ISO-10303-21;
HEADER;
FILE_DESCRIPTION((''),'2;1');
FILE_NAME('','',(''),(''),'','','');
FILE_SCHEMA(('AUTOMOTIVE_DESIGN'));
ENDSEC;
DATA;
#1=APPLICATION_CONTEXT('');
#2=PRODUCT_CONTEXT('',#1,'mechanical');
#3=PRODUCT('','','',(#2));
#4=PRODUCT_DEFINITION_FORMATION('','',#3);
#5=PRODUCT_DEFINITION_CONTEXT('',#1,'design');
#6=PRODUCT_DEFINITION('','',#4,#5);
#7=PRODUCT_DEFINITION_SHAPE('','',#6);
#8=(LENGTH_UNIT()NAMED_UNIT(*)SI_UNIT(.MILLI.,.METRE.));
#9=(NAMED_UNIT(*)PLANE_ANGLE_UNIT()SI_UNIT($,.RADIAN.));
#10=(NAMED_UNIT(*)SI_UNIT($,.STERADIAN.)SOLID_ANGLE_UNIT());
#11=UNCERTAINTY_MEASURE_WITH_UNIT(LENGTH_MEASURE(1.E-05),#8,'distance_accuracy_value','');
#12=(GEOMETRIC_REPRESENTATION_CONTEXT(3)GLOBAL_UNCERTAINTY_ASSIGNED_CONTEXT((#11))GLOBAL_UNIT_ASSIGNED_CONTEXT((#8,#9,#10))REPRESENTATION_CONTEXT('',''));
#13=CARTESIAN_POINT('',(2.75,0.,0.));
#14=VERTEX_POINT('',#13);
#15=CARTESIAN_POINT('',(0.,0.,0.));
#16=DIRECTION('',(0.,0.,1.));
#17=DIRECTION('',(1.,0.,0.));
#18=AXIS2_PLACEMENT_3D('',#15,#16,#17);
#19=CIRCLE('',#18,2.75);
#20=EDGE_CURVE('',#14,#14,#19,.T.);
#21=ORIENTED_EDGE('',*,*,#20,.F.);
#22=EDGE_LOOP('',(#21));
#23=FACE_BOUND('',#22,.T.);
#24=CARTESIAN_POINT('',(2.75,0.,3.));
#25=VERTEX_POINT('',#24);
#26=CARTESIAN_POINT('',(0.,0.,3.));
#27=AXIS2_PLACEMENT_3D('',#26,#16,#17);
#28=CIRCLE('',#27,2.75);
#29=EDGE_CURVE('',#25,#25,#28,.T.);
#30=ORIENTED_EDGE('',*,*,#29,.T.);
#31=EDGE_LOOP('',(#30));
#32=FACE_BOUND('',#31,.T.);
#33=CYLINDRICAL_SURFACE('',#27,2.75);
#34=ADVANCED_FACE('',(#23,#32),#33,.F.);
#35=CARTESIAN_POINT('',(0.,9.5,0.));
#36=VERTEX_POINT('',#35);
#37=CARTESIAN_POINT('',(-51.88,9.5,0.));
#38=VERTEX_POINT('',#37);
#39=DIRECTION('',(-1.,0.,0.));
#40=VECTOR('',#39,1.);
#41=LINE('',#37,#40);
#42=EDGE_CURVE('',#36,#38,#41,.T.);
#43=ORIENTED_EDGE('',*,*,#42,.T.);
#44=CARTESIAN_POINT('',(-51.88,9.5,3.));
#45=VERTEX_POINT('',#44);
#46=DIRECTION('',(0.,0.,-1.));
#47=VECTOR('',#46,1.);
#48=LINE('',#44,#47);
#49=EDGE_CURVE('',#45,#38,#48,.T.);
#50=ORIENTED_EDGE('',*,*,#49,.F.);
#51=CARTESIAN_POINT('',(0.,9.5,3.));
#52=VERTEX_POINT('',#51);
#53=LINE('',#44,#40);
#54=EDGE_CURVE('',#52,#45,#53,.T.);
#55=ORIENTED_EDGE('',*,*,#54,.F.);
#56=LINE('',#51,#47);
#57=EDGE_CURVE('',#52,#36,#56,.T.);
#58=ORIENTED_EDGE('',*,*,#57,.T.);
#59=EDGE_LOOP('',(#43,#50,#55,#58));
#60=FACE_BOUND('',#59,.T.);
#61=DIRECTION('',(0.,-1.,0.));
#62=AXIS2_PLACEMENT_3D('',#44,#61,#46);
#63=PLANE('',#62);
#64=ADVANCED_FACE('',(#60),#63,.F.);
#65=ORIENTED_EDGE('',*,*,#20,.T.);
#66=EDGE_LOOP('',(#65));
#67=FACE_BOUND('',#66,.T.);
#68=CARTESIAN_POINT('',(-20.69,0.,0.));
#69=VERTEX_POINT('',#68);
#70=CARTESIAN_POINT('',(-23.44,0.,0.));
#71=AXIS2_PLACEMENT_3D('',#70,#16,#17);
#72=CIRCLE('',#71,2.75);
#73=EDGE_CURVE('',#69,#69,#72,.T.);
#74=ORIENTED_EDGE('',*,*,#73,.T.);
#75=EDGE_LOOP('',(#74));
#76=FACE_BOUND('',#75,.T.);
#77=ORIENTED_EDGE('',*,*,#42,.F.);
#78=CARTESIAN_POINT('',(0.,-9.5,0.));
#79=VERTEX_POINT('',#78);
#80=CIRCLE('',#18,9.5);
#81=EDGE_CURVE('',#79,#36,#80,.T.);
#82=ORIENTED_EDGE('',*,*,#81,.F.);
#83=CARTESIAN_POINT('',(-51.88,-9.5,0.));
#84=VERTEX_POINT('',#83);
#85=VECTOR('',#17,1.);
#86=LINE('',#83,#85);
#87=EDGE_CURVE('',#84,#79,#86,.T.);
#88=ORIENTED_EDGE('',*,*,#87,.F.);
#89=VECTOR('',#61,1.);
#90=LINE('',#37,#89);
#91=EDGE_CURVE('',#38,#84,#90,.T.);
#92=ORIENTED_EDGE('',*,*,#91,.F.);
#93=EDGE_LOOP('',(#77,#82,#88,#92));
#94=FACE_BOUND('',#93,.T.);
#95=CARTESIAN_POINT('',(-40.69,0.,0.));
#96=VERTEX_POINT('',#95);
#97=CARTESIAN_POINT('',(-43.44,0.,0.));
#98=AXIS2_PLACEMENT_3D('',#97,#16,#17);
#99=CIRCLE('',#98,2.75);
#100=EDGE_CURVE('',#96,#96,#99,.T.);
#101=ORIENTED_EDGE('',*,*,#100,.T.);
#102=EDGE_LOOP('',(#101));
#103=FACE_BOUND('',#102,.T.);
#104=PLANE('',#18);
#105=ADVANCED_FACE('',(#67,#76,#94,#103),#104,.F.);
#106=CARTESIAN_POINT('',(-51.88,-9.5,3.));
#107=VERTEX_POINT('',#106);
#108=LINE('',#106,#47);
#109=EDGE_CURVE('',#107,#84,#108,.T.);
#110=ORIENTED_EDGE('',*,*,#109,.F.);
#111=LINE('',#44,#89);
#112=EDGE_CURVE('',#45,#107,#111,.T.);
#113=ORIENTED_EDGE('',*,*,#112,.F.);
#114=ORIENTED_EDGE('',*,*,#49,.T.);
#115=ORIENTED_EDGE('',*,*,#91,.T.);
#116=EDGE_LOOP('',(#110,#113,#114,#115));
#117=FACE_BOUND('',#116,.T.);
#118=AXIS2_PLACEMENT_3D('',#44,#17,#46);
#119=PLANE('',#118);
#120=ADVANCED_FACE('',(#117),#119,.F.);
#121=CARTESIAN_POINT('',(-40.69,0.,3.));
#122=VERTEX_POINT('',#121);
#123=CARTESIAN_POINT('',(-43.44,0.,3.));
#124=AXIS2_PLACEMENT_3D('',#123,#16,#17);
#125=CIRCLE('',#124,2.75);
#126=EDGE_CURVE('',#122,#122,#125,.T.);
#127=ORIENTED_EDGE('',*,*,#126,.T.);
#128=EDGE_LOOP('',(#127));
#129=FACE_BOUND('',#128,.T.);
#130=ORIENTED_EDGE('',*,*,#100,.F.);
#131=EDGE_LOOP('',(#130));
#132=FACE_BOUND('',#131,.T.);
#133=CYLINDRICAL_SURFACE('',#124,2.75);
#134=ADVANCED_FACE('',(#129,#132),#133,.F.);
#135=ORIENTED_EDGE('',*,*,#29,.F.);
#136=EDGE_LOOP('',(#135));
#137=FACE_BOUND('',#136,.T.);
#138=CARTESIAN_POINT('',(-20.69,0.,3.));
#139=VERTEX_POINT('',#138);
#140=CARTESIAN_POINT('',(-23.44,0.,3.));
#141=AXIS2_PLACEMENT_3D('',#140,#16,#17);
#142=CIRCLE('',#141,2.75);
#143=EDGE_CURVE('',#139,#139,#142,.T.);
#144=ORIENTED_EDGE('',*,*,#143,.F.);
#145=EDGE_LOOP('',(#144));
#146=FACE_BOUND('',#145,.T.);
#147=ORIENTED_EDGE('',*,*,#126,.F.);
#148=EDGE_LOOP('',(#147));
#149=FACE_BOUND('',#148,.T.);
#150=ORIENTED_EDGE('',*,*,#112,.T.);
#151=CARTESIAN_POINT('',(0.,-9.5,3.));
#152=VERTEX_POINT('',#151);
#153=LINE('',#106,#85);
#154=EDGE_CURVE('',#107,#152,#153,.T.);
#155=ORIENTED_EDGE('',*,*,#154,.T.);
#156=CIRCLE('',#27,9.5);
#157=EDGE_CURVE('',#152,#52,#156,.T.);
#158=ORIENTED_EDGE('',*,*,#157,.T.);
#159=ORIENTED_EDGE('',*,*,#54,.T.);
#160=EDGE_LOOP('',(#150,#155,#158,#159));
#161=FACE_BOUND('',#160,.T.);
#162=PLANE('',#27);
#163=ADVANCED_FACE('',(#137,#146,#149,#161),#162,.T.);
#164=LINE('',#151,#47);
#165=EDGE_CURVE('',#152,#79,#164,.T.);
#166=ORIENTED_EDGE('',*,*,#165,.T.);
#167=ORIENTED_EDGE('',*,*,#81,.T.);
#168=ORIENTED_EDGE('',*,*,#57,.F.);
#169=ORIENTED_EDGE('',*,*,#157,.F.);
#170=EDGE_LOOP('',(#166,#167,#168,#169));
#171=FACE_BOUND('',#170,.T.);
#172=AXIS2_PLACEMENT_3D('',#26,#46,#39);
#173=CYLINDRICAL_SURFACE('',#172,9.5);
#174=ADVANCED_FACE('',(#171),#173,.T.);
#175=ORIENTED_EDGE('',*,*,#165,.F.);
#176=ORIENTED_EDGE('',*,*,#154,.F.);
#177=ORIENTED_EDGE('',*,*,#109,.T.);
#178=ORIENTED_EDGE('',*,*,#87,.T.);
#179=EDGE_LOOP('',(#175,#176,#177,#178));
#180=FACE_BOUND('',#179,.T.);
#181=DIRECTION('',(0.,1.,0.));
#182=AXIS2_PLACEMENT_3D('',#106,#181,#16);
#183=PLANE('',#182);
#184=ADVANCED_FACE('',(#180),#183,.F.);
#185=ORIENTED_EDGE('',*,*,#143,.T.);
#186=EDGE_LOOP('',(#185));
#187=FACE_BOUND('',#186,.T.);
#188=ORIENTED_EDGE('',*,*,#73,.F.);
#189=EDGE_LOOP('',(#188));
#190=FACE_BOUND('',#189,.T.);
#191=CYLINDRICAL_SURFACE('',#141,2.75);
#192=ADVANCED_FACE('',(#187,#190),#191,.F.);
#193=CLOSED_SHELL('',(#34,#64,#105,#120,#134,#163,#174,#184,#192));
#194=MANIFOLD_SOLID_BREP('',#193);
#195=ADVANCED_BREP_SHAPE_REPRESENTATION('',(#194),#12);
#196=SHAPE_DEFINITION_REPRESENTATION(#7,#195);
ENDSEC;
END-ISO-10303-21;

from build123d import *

# Parameters (mm, degrees)
BOSS_EXTRUDE1_DEPTH  = 3
M5_CLEARANCE_HOLE1_D = 5.5
M5_CLEARANCE_HOLE2_D = 5.5
M5_CLEARANCE_HOLE3_D = 5.5


with BuildPart() as part:
    # Sketch1 → Boss-Extrude1 (new body)
    with BuildSketch(Plane.XY):
        with BuildLine():
            Line((-51.88, -9.5), (0, -9.5))
            ThreePointArc((0, -9.5), (9.5, 0), (0, 9.5))
            Line((0, 9.5), (-51.88, 9.5))
            Line((-51.88, 9.5), (-51.88, -9.5))
        make_face()
    extrude(amount=BOSS_EXTRUDE1_DEPTH)

    # M5 Clearance Hole1 (through all)
    with Locations(Plane.XY.offset(3)):
        with Locations((-43.44, 0)):
            Hole(M5_CLEARANCE_HOLE1_D / 2)

    # M5 Clearance Hole2 (through all)
    with Locations(Plane.XY.offset(3)):
        with Locations((-23.44, 0)):
            Hole(M5_CLEARANCE_HOLE2_D / 2)

    # M5 Clearance Hole3 (through all)
    with Locations(Plane.XY.offset(3)):
        with Locations((0, 0)):
            Hole(M5_CLEARANCE_HOLE3_D / 2)


solid = part.part
